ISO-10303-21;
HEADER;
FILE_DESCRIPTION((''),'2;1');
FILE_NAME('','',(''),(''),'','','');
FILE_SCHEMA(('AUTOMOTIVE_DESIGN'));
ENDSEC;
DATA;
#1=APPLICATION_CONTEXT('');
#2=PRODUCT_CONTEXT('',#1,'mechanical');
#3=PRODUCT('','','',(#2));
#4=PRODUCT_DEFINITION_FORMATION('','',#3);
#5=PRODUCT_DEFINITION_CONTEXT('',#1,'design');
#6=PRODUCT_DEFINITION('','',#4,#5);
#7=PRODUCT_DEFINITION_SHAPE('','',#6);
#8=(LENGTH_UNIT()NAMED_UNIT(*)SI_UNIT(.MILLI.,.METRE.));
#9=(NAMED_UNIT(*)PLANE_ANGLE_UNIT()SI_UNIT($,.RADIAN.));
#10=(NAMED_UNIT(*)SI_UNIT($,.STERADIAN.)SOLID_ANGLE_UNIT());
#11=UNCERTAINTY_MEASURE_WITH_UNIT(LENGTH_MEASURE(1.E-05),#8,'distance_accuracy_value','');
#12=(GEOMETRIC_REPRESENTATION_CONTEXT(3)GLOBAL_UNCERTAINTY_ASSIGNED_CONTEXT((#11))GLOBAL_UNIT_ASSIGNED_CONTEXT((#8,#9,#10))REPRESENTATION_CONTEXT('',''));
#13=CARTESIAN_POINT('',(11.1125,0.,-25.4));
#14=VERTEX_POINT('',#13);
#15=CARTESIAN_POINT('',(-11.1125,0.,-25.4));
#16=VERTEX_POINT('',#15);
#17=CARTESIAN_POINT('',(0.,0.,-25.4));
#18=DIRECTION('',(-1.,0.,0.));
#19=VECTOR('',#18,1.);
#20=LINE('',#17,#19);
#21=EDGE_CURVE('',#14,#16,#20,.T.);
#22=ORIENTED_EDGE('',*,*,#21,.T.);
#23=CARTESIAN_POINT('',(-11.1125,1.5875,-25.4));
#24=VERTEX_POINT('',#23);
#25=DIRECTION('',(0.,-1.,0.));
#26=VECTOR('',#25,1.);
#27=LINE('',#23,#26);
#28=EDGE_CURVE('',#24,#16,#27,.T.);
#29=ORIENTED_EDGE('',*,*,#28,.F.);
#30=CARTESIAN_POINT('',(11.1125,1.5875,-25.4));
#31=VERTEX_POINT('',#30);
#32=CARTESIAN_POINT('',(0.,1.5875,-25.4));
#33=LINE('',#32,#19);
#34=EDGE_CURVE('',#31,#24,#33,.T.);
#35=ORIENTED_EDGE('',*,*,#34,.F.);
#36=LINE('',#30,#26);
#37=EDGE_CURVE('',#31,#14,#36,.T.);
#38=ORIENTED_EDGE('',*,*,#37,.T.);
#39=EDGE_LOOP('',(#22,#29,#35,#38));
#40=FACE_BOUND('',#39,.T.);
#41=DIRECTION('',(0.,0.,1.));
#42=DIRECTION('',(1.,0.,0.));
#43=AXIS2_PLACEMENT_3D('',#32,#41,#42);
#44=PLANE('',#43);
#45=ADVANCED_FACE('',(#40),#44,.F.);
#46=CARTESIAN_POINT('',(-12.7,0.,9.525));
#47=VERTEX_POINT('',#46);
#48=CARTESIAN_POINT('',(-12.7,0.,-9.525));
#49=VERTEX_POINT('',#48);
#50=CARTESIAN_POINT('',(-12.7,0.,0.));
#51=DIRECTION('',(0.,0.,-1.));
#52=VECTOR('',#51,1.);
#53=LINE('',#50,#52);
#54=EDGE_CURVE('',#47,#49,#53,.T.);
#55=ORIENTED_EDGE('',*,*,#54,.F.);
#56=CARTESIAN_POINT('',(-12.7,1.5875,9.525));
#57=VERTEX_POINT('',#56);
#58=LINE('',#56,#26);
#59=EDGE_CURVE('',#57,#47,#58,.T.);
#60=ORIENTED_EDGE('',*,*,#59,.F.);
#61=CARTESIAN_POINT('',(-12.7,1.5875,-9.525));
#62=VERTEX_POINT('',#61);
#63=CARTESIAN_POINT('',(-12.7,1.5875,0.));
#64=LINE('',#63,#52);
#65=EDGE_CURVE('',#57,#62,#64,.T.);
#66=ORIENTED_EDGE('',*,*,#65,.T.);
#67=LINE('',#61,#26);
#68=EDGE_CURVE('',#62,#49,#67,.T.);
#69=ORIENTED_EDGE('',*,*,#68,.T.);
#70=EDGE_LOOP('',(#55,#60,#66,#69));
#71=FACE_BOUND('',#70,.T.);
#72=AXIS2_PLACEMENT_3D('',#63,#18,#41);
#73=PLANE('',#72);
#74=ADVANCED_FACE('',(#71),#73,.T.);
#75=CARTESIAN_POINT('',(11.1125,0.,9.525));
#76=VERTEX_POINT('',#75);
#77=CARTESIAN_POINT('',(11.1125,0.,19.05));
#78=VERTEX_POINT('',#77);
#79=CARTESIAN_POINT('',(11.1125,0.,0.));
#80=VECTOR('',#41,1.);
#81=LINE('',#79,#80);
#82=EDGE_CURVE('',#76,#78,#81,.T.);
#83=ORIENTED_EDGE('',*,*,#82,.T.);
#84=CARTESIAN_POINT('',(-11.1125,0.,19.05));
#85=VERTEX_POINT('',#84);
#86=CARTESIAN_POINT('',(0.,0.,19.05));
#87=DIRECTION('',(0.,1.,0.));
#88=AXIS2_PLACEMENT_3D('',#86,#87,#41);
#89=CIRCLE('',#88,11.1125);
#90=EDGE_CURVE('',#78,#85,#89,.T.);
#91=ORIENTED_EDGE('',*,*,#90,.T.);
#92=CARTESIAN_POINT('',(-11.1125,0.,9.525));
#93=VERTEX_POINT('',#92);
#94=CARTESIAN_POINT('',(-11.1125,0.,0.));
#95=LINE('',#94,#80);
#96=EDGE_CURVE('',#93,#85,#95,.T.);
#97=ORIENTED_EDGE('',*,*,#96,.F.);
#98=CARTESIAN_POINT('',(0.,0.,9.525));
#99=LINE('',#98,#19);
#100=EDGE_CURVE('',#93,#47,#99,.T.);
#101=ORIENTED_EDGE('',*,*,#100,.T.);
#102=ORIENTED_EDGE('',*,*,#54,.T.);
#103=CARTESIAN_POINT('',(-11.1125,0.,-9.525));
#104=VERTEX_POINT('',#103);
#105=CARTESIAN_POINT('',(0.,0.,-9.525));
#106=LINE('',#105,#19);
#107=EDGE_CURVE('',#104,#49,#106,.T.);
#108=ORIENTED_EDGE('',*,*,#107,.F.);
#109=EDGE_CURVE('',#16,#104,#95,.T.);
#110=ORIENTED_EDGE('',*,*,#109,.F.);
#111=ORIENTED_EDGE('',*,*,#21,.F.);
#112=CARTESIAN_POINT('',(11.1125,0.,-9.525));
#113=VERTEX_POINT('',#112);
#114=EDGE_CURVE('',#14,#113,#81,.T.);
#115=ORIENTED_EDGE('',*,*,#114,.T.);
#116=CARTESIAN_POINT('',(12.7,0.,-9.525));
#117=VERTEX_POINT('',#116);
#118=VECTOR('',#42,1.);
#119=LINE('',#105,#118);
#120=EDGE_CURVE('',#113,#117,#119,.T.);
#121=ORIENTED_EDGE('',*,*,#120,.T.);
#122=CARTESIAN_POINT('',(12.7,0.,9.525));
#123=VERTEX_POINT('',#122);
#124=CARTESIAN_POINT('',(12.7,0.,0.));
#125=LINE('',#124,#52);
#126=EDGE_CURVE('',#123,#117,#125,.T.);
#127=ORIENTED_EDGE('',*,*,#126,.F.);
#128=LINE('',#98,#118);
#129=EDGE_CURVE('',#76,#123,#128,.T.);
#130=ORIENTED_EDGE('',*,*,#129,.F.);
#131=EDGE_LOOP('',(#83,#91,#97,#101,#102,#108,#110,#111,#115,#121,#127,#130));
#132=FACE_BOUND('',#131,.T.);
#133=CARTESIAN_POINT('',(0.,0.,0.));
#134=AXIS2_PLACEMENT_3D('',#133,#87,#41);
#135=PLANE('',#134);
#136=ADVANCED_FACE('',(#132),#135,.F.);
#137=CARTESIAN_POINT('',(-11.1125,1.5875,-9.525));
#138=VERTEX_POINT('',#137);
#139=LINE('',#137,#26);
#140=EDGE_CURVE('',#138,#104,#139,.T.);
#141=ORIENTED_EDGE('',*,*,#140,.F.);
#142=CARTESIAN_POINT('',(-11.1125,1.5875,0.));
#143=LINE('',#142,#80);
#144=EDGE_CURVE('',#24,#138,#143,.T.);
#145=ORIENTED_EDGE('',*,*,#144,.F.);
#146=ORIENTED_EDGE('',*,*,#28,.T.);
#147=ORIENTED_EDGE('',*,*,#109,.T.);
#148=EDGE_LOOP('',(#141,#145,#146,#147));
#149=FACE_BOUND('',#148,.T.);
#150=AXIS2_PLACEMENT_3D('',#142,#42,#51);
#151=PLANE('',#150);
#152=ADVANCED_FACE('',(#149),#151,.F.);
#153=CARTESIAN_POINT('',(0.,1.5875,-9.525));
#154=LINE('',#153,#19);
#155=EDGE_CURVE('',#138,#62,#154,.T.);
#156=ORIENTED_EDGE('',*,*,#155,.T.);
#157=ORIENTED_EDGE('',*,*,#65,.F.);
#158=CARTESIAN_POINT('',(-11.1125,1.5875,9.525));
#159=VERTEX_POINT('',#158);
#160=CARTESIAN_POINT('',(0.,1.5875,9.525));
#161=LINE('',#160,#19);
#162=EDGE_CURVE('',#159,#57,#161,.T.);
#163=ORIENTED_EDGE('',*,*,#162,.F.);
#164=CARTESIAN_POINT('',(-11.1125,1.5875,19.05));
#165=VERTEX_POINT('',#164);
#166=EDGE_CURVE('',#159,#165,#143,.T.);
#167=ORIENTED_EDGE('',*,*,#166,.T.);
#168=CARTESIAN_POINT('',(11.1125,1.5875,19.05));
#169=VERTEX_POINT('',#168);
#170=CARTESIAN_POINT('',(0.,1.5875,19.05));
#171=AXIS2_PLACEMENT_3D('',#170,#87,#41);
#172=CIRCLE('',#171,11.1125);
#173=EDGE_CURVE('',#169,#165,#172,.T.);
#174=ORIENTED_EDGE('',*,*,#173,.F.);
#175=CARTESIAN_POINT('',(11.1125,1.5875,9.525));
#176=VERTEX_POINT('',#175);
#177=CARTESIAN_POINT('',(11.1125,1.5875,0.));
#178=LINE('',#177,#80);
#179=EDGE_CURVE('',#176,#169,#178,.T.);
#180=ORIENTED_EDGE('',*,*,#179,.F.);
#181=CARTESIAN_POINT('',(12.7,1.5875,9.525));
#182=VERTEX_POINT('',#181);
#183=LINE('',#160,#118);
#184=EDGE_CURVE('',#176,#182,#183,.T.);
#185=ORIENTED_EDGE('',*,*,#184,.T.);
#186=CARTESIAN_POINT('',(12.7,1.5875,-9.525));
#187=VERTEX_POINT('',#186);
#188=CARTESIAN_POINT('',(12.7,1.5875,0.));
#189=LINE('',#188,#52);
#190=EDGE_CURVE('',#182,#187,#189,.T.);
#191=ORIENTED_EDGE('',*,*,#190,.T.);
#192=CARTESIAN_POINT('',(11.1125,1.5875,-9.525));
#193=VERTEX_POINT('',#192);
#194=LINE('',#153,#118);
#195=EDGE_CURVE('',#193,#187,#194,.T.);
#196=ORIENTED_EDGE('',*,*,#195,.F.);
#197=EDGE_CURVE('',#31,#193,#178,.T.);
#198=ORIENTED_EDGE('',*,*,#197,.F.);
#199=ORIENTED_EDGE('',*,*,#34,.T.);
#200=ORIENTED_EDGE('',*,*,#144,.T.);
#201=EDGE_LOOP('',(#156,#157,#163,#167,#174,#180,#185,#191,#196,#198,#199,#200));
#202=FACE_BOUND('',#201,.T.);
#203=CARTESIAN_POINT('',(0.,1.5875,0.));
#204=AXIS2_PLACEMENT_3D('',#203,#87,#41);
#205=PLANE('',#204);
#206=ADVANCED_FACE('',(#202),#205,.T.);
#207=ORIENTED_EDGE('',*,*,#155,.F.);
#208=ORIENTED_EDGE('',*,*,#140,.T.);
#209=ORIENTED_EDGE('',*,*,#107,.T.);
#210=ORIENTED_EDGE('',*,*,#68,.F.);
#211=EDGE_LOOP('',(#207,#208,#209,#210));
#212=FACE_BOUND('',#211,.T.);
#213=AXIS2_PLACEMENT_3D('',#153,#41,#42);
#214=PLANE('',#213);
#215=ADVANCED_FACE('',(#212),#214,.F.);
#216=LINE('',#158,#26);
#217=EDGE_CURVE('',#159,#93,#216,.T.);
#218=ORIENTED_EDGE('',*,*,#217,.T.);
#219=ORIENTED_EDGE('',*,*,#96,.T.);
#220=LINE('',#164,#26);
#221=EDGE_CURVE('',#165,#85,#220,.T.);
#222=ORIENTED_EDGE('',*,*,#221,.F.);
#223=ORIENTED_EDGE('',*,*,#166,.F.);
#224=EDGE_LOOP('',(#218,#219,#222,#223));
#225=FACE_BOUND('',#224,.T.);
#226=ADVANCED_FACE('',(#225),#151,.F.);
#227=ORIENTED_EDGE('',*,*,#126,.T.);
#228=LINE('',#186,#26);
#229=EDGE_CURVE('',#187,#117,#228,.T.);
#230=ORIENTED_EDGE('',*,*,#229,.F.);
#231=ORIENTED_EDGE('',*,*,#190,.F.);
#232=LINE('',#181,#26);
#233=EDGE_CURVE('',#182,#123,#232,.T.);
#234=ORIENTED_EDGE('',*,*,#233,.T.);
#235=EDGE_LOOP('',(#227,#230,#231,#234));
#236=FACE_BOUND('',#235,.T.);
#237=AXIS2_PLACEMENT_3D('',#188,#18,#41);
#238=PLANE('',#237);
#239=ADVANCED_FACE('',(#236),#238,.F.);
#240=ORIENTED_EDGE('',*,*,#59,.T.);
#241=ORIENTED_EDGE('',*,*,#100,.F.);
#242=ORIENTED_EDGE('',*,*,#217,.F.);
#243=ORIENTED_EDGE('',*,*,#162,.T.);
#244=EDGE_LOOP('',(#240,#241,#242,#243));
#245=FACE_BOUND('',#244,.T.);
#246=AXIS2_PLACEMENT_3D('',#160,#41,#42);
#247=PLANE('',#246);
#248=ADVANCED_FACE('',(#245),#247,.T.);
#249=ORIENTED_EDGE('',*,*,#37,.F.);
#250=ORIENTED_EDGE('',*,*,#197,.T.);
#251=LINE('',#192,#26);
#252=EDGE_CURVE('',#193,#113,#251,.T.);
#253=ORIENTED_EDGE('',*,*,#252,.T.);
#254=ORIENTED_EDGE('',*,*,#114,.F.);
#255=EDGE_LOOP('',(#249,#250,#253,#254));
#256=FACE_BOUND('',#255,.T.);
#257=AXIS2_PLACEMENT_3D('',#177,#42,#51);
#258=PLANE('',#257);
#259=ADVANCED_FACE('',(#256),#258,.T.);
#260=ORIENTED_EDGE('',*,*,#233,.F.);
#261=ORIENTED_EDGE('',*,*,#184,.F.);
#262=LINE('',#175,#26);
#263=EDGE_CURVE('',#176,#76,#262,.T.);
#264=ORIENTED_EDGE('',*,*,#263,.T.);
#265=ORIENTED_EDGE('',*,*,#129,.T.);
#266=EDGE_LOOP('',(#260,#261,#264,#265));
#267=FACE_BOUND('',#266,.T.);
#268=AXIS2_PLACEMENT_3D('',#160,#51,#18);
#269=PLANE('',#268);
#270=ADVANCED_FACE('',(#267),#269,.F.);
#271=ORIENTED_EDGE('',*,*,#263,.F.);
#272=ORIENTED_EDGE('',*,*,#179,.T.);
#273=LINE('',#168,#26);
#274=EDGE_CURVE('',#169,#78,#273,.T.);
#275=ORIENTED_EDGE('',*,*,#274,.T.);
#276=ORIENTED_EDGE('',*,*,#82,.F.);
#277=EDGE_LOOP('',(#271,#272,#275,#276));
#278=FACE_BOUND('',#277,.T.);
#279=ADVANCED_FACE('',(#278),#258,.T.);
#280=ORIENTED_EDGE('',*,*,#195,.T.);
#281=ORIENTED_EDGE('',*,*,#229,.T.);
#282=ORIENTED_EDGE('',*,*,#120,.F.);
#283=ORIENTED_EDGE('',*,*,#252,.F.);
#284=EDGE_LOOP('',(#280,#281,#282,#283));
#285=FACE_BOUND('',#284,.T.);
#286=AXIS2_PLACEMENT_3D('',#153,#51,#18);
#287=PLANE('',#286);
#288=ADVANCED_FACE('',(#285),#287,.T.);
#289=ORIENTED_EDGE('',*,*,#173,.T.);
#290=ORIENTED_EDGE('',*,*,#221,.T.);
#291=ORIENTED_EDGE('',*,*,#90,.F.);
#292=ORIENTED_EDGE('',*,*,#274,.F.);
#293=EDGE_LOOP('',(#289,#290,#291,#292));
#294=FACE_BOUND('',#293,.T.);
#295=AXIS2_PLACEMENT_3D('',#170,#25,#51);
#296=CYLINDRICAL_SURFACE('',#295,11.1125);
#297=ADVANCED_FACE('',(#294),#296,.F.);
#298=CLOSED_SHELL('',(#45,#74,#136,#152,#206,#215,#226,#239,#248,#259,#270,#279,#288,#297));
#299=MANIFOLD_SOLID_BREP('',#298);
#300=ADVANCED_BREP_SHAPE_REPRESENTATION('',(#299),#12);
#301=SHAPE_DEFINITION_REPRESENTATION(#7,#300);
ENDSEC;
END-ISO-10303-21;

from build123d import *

# Parameters (mm, degrees)
SKETCH1_W           = 1.5875
SKETCH1_H           = 19.05
BOSS_EXTRUDE1_DEPTH = 1.5875


with BuildPart() as part:
    # Sketch1 → Boss-Extrude1 (new body)
    with BuildSketch(Plane(origin=(0, 0, 0), x_dir=(1, 0, 0), z_dir=(0, 1, 0))):
        with BuildLine():
            Line((11.1125, 9.525), (11.1125, 25.4))
            Line((11.1125, 25.4), (-11.1125, 25.4))
            Line((-11.1125, 25.4), (-11.1125, 9.525))
            Line((-11.1125, 9.525), (-11.1125, -9.525))
            Line((-11.1125, -9.525), (-11.1125, -19.05))
            ThreePointArc((-11.1125, -19.05), (0, -7.9375), (11.1125, -19.05))
            Line((11.1125, -19.05), (11.1125, -9.525))
            Line((11.1125, -9.525), (11.1125, 9.525))
        make_face()
        with Locations((11.90625, 0)):
            Rectangle(SKETCH1_W, SKETCH1_H)
        with Locations((-11.90625, 0)):
            Rectangle(SKETCH1_W, SKETCH1_H)
    extrude(amount=BOSS_EXTRUDE1_DEPTH)


solid = part.part
